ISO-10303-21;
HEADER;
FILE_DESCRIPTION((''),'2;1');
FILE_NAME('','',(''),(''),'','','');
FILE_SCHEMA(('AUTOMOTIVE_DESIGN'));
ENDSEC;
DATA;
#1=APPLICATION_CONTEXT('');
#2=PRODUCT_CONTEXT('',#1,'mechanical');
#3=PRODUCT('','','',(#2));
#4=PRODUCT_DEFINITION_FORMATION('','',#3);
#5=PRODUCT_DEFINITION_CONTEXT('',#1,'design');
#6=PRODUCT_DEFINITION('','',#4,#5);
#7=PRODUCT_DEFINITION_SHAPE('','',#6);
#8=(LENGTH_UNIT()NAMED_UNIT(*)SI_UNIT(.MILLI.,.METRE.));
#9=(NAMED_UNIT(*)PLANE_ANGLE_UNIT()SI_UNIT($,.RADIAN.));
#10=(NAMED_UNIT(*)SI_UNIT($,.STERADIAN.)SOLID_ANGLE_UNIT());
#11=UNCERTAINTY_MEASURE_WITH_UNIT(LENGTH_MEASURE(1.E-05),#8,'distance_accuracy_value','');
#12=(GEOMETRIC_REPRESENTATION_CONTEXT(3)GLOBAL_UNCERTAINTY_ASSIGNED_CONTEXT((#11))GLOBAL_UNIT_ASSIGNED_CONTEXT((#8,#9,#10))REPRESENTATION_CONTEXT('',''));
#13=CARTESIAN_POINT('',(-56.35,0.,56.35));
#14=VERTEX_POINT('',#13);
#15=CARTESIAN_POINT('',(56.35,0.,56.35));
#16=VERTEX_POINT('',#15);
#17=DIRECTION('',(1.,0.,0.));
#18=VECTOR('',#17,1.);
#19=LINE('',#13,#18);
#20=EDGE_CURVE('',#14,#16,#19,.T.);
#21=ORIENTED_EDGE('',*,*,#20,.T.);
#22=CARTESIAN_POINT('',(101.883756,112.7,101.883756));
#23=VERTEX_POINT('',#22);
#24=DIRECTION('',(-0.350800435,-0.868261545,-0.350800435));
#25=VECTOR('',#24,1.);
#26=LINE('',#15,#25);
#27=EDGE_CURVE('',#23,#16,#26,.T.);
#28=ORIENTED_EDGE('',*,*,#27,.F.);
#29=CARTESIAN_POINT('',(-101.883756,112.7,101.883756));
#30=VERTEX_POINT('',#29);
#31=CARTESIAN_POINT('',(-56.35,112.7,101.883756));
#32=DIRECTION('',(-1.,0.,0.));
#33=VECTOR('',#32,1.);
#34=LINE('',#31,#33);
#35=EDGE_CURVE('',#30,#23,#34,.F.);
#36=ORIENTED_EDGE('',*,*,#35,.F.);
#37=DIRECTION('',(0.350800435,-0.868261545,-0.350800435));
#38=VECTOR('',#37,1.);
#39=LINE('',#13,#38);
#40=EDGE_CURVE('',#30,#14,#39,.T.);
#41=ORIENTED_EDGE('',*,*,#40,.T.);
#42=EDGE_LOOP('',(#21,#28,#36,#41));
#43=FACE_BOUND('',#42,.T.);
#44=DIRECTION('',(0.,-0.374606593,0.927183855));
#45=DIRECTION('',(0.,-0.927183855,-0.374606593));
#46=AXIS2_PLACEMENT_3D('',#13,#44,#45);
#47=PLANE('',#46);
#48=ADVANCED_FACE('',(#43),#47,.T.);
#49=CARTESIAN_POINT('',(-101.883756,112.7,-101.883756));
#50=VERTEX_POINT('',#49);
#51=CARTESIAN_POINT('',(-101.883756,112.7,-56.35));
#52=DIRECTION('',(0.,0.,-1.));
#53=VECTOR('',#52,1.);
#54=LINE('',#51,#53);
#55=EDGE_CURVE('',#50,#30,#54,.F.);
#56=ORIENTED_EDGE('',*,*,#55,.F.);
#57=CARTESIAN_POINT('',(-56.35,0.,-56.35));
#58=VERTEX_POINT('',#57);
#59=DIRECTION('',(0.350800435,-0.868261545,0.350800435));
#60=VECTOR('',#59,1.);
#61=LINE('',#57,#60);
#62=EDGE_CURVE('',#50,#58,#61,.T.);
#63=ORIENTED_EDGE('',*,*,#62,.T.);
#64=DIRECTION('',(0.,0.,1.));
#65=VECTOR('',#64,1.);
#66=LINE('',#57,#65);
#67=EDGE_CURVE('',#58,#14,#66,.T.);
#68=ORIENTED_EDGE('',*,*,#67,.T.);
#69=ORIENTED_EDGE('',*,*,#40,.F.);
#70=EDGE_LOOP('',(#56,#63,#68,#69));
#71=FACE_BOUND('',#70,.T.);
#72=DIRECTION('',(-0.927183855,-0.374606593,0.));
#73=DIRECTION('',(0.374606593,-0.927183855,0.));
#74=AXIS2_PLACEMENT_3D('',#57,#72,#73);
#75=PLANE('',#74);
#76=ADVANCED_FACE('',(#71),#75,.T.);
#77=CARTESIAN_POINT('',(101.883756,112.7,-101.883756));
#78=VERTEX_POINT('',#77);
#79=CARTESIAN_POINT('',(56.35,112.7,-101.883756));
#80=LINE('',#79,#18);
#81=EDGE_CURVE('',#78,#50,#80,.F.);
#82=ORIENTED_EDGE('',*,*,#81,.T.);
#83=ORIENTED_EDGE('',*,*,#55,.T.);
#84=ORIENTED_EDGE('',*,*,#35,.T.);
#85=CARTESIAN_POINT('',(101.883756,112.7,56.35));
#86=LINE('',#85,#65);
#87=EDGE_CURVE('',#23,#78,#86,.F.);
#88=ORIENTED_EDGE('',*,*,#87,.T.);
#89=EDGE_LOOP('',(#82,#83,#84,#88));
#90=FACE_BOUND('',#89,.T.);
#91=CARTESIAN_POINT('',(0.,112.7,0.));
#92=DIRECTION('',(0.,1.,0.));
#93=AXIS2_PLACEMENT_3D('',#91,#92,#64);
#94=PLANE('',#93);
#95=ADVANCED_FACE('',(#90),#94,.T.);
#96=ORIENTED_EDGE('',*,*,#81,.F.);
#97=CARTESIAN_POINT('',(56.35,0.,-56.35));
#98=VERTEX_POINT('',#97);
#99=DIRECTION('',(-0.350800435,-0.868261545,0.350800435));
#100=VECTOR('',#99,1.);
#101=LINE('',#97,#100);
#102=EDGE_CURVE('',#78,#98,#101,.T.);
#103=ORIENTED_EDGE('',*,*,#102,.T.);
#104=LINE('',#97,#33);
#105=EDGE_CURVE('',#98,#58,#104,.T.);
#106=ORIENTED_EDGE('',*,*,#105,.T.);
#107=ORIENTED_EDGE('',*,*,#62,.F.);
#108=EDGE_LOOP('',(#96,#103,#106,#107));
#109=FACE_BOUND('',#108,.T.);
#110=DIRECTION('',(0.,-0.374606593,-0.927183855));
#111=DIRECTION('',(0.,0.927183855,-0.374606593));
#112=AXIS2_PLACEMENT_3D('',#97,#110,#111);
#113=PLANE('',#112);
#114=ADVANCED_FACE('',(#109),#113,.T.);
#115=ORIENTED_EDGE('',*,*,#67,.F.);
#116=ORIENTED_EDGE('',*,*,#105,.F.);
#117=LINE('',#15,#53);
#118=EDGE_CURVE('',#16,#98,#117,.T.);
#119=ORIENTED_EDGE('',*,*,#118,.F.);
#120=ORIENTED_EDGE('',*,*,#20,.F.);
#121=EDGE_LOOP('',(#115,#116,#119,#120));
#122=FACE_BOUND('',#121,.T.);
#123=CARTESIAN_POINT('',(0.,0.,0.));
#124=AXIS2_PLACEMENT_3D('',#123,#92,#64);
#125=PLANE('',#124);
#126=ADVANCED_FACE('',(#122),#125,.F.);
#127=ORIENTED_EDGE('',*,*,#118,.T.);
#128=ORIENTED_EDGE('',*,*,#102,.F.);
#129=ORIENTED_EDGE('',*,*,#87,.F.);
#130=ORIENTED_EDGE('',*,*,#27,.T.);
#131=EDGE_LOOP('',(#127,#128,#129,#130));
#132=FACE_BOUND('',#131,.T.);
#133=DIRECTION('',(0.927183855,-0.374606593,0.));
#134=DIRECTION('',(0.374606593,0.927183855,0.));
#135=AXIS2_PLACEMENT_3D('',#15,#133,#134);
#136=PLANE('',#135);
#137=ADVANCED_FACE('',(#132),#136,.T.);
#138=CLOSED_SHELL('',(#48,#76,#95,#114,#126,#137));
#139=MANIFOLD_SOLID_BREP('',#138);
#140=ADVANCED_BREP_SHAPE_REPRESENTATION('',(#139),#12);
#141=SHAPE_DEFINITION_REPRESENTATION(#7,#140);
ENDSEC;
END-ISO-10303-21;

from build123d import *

# Parameters (mm, degrees)
SKETCH1_W           = 112.7
SKETCH1_H           = 112.7
BOSS_EXTRUDE1_DEPTH = 112.7
BOSS_EXTRUDE1_DRAFT = -22


with BuildPart() as part:
    # Sketch1 → Boss-Extrude1 (with draft: the straight prism first)
    with BuildSketch(Plane(origin=(0, 0, 0), x_dir=(1, 0, 0), z_dir=(0, 1, 0))):
        Rectangle(SKETCH1_W, SKETCH1_H)
    extrude(amount=BOSS_EXTRUDE1_DEPTH)
    # Boss-Extrude1: the draft: its side faces are tilted about the plane it starts from
    boss_extrude1_sides = [part.faces().sort_by_distance(p)[0] for p in [
        (56.35, 56.35, 0),
        (0, 56.35, -56.35),
        (-56.35, 56.35, 0),
        (0, 56.35, 56.35),
    ]]
    draft(boss_extrude1_sides, Plane(origin=(0, 0, 0), x_dir=(1, 0, 0), z_dir=(0, 1, 0)), BOSS_EXTRUDE1_DRAFT)


solid = part.part
